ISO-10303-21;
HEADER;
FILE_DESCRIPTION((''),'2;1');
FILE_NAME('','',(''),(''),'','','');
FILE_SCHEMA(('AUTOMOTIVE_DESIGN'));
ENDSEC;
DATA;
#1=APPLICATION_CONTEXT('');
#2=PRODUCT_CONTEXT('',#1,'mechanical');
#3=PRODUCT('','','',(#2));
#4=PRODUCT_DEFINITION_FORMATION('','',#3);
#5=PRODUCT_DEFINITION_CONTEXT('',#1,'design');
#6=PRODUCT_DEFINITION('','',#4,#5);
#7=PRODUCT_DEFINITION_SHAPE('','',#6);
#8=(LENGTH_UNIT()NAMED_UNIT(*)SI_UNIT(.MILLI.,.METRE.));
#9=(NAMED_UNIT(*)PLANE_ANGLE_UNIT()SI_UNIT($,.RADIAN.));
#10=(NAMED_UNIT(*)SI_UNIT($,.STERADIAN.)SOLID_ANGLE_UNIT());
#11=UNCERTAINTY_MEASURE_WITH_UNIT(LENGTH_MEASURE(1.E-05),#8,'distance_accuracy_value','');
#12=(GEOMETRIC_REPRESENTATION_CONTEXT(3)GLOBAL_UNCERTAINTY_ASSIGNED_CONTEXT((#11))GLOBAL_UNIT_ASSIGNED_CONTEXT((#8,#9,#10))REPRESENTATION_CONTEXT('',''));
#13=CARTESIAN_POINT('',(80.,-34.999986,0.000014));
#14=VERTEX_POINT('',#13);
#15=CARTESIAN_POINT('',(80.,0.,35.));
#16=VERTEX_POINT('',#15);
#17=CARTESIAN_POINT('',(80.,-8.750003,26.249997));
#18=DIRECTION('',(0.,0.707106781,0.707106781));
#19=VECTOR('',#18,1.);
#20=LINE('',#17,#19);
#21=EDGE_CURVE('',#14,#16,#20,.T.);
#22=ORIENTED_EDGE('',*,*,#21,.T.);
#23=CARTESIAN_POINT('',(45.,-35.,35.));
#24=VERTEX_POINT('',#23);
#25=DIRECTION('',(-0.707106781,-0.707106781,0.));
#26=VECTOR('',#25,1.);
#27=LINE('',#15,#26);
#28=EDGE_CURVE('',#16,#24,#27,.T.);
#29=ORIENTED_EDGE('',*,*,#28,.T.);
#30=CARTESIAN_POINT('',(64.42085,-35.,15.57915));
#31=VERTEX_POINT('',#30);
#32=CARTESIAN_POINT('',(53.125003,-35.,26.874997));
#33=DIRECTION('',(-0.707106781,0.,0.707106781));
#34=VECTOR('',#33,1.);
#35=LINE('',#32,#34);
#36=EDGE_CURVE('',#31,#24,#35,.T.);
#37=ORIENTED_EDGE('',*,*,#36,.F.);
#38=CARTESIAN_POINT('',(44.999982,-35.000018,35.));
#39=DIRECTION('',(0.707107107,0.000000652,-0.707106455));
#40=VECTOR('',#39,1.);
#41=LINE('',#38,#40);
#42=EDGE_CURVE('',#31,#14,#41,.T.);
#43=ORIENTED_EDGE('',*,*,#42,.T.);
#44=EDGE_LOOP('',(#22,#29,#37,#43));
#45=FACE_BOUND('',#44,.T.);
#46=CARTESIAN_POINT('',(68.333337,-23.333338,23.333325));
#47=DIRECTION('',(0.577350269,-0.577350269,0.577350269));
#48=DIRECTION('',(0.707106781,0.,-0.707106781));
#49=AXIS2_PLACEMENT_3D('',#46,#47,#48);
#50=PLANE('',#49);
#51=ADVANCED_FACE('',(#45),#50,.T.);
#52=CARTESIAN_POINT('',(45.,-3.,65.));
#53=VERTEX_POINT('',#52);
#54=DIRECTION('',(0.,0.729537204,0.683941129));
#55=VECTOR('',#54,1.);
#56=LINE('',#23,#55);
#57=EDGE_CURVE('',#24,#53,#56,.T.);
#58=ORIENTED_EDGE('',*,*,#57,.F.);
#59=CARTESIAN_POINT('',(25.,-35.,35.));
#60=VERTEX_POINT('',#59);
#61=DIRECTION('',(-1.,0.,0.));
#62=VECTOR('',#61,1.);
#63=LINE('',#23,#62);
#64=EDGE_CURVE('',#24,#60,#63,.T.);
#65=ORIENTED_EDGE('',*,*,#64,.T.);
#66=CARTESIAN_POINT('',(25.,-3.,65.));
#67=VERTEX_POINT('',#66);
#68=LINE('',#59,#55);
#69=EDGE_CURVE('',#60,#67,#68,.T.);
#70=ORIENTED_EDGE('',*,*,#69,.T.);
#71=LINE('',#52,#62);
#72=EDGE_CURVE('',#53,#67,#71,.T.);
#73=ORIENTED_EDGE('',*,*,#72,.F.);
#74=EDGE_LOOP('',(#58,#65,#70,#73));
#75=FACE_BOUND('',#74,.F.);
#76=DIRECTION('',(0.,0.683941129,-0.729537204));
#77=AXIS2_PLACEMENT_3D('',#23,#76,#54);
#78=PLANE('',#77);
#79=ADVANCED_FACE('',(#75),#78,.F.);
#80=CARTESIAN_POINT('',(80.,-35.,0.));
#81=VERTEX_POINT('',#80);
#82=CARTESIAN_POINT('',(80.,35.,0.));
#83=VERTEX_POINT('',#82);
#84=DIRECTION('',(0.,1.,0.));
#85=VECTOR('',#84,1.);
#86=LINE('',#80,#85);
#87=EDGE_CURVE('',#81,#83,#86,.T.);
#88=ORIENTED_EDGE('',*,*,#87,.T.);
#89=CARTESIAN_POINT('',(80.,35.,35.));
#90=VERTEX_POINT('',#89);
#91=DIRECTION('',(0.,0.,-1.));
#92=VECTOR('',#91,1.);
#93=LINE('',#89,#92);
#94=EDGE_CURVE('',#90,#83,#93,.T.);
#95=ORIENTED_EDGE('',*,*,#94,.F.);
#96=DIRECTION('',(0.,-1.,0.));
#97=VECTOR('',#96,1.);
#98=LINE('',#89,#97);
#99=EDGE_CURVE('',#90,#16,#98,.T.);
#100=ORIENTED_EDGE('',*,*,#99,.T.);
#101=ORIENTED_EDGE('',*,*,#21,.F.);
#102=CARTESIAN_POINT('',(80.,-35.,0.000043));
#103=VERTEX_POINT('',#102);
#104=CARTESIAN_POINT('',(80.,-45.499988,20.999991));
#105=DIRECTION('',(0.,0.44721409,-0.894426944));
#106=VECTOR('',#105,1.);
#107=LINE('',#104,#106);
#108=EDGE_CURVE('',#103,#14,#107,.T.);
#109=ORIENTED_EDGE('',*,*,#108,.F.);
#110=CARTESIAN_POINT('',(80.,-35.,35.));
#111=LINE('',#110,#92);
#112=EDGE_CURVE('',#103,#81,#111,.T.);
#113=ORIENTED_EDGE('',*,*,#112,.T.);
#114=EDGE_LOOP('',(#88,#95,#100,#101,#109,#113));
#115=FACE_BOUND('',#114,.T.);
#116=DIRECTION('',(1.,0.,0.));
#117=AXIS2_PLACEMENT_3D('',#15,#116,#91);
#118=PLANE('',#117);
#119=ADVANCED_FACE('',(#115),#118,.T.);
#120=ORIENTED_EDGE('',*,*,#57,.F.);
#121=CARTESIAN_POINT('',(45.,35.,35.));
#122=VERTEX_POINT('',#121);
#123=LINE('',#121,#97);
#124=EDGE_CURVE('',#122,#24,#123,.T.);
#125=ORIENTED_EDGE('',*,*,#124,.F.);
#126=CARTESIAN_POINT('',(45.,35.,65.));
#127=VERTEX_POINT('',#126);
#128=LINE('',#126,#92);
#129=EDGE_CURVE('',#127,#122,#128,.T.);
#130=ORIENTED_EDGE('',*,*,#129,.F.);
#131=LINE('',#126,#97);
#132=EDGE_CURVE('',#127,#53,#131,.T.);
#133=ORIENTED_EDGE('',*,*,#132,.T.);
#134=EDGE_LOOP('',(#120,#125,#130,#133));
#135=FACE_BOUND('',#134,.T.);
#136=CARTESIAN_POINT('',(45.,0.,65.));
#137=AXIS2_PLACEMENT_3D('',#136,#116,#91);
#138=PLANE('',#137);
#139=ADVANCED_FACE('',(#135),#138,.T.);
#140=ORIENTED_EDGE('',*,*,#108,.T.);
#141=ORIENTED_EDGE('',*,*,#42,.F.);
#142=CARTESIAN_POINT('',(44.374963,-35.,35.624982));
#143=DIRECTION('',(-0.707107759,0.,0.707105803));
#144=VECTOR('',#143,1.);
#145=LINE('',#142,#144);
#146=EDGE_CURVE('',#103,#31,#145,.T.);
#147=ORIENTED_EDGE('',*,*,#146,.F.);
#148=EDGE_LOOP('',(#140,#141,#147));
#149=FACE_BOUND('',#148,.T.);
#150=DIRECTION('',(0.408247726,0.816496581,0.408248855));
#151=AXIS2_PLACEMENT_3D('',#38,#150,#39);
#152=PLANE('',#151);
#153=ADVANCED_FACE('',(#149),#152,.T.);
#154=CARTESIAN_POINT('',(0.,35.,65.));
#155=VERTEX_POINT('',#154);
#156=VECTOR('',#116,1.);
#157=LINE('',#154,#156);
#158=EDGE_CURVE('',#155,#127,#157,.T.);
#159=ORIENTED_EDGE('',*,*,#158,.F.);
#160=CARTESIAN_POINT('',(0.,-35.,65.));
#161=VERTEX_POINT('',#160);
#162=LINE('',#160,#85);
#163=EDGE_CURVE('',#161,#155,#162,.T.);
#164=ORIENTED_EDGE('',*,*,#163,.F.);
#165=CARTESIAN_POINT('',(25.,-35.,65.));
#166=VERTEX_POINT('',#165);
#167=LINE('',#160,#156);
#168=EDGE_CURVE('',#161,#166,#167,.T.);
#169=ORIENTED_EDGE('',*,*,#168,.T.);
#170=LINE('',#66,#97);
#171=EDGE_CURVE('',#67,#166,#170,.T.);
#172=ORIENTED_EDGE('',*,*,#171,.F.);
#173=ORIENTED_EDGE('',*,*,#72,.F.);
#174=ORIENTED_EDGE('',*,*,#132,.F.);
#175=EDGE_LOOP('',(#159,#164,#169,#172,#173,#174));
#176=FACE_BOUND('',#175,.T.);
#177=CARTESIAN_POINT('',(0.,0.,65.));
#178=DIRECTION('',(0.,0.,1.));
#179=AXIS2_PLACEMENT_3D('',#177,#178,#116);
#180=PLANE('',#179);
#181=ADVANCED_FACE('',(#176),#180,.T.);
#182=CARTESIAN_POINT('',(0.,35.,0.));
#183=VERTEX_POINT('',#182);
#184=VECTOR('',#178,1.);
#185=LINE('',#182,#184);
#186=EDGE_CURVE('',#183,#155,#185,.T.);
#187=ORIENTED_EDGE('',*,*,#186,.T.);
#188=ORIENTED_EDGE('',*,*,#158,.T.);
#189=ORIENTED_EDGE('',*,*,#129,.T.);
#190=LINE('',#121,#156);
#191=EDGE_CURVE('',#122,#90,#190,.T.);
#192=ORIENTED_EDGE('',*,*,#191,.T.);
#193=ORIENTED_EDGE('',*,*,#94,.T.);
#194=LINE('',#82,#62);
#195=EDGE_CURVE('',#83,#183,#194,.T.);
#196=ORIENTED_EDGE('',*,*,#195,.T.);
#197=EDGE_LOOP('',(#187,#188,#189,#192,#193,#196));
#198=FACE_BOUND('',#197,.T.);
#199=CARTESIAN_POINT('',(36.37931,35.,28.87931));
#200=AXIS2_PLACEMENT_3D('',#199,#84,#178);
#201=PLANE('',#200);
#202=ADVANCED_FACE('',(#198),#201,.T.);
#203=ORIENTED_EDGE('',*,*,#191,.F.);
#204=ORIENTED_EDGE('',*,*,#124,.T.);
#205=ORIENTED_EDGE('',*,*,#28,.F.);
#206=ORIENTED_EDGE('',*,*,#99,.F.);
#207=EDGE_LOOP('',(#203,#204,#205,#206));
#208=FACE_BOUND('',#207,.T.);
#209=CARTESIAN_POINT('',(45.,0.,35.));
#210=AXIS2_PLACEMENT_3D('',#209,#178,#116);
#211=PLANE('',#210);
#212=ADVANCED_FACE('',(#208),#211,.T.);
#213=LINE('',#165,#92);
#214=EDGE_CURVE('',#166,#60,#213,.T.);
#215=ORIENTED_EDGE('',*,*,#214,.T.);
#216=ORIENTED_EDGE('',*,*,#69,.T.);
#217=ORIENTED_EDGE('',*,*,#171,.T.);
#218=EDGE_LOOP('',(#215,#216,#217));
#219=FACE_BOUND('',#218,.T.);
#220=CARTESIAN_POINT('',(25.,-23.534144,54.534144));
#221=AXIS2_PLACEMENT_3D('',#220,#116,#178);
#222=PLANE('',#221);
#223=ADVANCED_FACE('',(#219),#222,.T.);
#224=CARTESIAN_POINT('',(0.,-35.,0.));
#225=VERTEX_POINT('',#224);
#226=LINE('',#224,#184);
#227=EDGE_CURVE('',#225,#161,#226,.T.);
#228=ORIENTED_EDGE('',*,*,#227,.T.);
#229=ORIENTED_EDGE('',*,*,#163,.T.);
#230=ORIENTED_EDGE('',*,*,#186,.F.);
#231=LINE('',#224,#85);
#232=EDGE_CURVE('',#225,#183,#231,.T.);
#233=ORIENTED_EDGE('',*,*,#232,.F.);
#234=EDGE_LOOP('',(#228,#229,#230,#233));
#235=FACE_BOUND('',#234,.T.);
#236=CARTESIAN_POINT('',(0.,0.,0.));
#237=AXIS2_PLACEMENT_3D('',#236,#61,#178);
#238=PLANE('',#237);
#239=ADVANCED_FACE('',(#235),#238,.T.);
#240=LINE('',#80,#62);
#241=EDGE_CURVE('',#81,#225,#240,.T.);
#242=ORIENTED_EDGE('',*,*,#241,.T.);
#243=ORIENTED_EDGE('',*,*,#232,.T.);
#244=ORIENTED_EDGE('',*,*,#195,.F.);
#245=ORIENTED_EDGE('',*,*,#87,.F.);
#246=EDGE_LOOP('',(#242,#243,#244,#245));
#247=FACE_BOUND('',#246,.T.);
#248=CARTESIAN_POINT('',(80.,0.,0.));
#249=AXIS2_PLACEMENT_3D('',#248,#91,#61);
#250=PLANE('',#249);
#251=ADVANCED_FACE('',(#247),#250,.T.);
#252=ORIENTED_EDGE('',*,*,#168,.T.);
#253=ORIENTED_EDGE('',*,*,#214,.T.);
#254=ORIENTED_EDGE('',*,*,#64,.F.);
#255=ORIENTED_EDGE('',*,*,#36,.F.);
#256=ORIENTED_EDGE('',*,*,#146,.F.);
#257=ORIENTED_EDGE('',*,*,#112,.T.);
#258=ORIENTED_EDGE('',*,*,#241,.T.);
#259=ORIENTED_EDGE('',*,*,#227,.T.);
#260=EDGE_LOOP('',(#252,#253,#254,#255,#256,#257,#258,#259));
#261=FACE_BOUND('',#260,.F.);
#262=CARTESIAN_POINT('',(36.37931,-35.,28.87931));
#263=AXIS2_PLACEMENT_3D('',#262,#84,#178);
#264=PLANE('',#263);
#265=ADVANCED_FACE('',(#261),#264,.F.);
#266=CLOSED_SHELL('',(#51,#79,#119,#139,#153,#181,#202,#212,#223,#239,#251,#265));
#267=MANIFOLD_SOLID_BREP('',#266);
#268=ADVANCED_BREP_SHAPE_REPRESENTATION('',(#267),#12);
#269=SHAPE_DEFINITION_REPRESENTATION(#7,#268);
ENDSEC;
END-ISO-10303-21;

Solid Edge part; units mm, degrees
sketch "Sketch1" plane through (0, 0, 0) normal (0, -1, 0) x (1, 0, 0)
  line L0 (80, 35) -> (80, 0)
  line L1 (80, 0) -> (0, 0)
  line L2 (0, 0) -> (0, 65)
  line L3 (0, 65) -> (45, 65)
  line L4 (45, 65) -> (45, 35)
  line L5 (45, 35) -> (80, 35)
extrude "ExtrudedProtrusion_1" add sketch "Sketch1" along normal mid plane 70
sketch "Sketch2" plane through (45, 0, 50) normal (1, 0, 0) x (0, 1, 0)
  line L0 (-35, 15) -> (-35, -15)
  line L1 (-35, -15) -> (-3, 15)
  line L2 (-3, 15) -> (-35, 15)
extrude "ExtrudedCutout_1" cut sketch "Sketch2" against normal blind 20
sketch "Sketch3" plane through (80, 0, 35) normal (0.5774, -0.5774, 0.5774) x (-0.7071, -0.7071, 0)
  line L0 (24.7487, 42.8661) -> (0, 0)
  line L1 (0, 0) -> (49.4975, 0)
  line L2 (49.4975, 0) -> (24.7487, 42.8661)
extrude "Cutout1" cut sketch "Sketch3" along normal up to next
